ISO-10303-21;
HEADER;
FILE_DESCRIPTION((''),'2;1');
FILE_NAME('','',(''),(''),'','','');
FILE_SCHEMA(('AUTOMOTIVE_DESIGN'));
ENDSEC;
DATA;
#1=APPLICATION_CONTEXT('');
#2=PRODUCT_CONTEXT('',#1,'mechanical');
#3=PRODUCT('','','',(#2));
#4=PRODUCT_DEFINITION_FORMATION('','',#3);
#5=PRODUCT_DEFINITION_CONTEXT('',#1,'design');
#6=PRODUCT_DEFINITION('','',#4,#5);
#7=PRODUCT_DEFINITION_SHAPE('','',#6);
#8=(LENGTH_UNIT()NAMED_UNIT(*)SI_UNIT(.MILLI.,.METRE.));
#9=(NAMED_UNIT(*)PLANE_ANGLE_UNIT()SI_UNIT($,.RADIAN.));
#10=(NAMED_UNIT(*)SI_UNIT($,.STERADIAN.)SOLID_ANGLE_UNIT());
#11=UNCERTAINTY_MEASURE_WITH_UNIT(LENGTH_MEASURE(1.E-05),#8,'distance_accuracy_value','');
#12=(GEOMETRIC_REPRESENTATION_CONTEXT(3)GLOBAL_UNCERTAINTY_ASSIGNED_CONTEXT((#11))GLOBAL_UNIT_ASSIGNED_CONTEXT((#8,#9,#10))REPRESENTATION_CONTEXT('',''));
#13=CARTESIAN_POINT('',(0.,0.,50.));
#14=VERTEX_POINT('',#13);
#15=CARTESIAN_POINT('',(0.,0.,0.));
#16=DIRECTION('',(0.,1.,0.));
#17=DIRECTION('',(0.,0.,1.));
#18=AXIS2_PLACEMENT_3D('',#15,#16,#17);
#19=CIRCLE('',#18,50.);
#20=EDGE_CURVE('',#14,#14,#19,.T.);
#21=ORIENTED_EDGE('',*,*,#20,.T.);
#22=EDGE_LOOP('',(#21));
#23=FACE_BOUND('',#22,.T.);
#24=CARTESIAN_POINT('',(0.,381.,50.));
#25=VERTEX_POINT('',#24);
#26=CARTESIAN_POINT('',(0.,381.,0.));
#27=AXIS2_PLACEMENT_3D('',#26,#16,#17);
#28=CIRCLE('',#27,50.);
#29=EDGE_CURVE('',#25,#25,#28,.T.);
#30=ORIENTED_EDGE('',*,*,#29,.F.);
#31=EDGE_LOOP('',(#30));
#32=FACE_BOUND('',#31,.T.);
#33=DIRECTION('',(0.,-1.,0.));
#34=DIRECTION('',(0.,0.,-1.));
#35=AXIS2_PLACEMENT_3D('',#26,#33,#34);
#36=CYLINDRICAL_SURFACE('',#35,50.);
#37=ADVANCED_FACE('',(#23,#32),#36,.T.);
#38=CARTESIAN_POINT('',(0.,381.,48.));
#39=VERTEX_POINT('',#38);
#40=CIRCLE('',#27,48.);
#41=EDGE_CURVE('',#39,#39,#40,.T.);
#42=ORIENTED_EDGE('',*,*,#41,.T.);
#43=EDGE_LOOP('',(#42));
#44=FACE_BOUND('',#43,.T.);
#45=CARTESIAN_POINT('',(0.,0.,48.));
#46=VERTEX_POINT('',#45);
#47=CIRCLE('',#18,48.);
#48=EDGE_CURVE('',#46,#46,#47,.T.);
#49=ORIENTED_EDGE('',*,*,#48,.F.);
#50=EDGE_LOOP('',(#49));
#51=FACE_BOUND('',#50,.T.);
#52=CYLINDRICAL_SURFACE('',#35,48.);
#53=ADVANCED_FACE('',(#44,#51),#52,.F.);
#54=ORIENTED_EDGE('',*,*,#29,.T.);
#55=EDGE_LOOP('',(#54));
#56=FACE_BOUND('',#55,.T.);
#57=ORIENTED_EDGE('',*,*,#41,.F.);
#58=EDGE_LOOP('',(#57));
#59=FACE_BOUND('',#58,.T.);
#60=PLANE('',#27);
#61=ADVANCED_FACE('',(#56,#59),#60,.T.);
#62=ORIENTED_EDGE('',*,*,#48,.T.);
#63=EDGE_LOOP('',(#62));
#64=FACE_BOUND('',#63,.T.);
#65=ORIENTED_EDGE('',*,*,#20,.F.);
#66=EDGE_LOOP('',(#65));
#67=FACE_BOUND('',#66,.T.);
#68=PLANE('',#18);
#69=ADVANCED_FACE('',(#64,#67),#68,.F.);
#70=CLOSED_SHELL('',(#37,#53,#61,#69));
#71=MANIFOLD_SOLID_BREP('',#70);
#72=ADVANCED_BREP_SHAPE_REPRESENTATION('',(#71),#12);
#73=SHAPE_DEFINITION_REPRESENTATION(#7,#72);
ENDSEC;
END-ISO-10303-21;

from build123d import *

# Parameters (mm, degrees)
SKETCH_1_R      = 50
SKETCH_1_R_2    = 48
EXTRUDE_1_DEPTH = 381


with BuildPart() as part:
    # Эскиз1 → Бобышка-Вытянуть1 (new body)
    with BuildSketch(Plane(origin=(0, 0, 0), x_dir=(1, 0, 0), z_dir=(0, 1, 0))):
        with Locations(Location((0, 0, 0), (0, 0, 270))):
            Circle(SKETCH_1_R)
        with Locations(Location((0, 0, 0), (0, 0, 270))):
            Circle(SKETCH_1_R_2, mode=Mode.SUBTRACT)
    extrude(amount=EXTRUDE_1_DEPTH)


solid = part.part
